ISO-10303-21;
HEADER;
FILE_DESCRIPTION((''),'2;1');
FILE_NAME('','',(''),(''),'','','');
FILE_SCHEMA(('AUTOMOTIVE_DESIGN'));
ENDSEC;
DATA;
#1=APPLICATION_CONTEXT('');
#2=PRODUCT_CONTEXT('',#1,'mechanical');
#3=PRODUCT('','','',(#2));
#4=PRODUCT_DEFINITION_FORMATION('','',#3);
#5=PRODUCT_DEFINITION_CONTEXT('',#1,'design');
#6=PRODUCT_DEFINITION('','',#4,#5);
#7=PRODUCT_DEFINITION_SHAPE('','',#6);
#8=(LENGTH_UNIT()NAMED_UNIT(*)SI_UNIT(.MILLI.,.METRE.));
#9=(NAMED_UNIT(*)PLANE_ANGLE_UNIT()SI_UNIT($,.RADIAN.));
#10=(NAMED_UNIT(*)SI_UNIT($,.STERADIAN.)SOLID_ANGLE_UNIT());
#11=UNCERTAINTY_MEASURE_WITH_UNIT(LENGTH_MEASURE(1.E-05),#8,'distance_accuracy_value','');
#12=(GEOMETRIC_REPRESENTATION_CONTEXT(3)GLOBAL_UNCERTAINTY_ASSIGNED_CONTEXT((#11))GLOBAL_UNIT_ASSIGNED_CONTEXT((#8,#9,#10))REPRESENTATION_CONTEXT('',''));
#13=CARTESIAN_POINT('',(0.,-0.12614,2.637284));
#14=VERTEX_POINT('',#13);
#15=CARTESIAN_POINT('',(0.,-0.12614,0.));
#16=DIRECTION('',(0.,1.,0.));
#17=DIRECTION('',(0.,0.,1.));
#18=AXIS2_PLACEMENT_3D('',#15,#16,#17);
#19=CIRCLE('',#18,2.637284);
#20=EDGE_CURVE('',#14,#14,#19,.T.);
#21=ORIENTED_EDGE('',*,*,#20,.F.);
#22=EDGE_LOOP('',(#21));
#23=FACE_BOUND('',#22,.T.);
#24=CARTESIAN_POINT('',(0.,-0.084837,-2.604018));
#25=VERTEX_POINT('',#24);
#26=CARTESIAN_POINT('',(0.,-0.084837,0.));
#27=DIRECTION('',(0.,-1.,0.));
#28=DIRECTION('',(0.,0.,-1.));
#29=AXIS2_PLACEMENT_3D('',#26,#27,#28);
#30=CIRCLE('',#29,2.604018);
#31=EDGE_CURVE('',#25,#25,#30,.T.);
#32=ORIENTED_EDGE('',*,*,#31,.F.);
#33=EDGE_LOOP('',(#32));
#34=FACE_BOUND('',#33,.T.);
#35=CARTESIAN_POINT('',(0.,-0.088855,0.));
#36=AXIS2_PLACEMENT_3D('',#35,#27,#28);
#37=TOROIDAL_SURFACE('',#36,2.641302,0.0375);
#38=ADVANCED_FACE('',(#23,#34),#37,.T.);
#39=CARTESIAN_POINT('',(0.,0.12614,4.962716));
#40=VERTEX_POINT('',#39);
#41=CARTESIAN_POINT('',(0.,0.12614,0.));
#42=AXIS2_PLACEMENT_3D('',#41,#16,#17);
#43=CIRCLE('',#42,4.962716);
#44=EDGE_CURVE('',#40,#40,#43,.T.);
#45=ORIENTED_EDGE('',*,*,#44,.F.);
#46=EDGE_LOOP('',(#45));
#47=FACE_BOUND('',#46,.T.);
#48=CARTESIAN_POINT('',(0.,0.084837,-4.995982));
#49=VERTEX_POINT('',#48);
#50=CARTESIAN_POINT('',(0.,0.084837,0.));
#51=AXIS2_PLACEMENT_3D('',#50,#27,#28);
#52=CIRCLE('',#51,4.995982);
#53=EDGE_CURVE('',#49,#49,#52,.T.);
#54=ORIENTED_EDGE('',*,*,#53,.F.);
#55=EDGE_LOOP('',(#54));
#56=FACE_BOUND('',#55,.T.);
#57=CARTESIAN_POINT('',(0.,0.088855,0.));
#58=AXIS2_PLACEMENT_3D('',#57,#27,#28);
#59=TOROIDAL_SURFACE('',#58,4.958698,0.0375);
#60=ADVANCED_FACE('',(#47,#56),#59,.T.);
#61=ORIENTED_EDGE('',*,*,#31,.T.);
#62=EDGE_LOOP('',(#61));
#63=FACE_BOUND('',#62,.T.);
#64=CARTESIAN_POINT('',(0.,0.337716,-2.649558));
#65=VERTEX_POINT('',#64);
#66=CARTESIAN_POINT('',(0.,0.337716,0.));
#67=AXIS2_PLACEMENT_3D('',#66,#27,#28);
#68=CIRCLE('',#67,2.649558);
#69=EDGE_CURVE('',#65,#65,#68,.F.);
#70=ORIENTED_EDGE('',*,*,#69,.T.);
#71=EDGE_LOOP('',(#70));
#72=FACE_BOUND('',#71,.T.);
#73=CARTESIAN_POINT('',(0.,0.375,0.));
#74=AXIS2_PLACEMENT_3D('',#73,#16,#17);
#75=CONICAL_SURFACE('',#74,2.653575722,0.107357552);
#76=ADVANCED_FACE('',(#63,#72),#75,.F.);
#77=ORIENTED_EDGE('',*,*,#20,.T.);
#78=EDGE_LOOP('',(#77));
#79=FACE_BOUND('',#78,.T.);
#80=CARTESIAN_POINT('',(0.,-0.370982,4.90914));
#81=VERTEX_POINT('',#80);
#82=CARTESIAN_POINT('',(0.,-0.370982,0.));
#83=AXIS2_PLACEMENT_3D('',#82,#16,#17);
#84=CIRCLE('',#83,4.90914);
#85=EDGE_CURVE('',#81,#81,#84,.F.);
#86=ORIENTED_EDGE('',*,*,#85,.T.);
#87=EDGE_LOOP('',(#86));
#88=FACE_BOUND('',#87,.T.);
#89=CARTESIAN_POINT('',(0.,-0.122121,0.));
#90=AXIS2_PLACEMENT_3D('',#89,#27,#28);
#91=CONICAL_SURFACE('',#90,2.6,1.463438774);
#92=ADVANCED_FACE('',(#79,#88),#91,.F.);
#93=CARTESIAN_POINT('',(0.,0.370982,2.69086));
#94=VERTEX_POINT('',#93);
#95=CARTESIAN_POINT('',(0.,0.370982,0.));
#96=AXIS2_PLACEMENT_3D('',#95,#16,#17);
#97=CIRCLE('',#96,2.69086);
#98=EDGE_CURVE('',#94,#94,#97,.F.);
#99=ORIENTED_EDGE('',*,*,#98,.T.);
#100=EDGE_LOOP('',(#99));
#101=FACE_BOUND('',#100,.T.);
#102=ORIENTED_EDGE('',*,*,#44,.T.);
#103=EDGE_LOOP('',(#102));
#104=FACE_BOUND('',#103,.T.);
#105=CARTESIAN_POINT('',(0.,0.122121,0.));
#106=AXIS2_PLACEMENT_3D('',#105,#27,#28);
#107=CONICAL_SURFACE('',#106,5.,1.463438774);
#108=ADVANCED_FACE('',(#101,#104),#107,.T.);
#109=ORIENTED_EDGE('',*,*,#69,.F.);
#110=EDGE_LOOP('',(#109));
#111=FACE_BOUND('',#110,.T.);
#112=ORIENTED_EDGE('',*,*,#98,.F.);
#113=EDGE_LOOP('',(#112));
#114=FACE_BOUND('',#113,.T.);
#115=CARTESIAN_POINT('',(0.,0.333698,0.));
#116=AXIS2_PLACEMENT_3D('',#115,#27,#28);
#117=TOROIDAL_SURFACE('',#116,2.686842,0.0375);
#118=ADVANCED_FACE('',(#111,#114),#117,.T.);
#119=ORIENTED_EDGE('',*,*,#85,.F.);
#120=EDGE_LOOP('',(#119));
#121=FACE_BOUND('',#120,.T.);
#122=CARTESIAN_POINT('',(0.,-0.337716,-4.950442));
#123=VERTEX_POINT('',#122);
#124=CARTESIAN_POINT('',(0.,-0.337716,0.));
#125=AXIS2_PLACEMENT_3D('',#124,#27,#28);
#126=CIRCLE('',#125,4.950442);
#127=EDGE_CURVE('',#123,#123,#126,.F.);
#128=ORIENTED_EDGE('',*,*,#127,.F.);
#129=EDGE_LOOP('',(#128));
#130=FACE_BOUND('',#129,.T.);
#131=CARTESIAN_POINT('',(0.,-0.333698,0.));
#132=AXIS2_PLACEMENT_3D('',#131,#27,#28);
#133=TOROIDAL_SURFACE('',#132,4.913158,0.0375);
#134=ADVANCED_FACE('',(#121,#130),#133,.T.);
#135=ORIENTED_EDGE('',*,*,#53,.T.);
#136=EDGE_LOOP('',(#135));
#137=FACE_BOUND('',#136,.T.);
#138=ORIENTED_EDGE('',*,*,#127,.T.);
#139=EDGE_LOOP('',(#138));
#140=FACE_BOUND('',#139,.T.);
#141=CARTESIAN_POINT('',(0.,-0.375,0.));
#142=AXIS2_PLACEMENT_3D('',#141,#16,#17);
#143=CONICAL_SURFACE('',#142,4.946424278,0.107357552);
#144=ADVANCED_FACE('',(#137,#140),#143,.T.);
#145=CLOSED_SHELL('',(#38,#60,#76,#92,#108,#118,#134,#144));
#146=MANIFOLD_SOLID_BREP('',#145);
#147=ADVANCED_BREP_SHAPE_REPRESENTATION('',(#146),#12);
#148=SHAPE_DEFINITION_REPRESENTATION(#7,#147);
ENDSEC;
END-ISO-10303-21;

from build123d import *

# Parameters (mm, degrees)
FILLET1_R = 0.0375


with BuildPart() as part:
    # Sketch2 → Revolve1 (revolve)
    with BuildSketch(Plane.XY):
        Polygon((2.6, -0.122121355), (2.653575722, 0.375), (5, 0.122121355), (4.946424278, -0.375), align=None)
    revolve(axis=Axis((0, 0.375, 0), (0, -1, 0)))

    # Fillet1
    fillet1_edges = [part.edges().sort_by_distance(p)[0] for p in [
        (-4.946424278, -0.375, 0),
        (-5, 0.122121355, 0),
        (-2.653575722, 0.375, 0),
        (-2.6, -0.122121355, 0),
    ]]
    fillet(fillet1_edges, radius=FILLET1_R)


solid = part.part
